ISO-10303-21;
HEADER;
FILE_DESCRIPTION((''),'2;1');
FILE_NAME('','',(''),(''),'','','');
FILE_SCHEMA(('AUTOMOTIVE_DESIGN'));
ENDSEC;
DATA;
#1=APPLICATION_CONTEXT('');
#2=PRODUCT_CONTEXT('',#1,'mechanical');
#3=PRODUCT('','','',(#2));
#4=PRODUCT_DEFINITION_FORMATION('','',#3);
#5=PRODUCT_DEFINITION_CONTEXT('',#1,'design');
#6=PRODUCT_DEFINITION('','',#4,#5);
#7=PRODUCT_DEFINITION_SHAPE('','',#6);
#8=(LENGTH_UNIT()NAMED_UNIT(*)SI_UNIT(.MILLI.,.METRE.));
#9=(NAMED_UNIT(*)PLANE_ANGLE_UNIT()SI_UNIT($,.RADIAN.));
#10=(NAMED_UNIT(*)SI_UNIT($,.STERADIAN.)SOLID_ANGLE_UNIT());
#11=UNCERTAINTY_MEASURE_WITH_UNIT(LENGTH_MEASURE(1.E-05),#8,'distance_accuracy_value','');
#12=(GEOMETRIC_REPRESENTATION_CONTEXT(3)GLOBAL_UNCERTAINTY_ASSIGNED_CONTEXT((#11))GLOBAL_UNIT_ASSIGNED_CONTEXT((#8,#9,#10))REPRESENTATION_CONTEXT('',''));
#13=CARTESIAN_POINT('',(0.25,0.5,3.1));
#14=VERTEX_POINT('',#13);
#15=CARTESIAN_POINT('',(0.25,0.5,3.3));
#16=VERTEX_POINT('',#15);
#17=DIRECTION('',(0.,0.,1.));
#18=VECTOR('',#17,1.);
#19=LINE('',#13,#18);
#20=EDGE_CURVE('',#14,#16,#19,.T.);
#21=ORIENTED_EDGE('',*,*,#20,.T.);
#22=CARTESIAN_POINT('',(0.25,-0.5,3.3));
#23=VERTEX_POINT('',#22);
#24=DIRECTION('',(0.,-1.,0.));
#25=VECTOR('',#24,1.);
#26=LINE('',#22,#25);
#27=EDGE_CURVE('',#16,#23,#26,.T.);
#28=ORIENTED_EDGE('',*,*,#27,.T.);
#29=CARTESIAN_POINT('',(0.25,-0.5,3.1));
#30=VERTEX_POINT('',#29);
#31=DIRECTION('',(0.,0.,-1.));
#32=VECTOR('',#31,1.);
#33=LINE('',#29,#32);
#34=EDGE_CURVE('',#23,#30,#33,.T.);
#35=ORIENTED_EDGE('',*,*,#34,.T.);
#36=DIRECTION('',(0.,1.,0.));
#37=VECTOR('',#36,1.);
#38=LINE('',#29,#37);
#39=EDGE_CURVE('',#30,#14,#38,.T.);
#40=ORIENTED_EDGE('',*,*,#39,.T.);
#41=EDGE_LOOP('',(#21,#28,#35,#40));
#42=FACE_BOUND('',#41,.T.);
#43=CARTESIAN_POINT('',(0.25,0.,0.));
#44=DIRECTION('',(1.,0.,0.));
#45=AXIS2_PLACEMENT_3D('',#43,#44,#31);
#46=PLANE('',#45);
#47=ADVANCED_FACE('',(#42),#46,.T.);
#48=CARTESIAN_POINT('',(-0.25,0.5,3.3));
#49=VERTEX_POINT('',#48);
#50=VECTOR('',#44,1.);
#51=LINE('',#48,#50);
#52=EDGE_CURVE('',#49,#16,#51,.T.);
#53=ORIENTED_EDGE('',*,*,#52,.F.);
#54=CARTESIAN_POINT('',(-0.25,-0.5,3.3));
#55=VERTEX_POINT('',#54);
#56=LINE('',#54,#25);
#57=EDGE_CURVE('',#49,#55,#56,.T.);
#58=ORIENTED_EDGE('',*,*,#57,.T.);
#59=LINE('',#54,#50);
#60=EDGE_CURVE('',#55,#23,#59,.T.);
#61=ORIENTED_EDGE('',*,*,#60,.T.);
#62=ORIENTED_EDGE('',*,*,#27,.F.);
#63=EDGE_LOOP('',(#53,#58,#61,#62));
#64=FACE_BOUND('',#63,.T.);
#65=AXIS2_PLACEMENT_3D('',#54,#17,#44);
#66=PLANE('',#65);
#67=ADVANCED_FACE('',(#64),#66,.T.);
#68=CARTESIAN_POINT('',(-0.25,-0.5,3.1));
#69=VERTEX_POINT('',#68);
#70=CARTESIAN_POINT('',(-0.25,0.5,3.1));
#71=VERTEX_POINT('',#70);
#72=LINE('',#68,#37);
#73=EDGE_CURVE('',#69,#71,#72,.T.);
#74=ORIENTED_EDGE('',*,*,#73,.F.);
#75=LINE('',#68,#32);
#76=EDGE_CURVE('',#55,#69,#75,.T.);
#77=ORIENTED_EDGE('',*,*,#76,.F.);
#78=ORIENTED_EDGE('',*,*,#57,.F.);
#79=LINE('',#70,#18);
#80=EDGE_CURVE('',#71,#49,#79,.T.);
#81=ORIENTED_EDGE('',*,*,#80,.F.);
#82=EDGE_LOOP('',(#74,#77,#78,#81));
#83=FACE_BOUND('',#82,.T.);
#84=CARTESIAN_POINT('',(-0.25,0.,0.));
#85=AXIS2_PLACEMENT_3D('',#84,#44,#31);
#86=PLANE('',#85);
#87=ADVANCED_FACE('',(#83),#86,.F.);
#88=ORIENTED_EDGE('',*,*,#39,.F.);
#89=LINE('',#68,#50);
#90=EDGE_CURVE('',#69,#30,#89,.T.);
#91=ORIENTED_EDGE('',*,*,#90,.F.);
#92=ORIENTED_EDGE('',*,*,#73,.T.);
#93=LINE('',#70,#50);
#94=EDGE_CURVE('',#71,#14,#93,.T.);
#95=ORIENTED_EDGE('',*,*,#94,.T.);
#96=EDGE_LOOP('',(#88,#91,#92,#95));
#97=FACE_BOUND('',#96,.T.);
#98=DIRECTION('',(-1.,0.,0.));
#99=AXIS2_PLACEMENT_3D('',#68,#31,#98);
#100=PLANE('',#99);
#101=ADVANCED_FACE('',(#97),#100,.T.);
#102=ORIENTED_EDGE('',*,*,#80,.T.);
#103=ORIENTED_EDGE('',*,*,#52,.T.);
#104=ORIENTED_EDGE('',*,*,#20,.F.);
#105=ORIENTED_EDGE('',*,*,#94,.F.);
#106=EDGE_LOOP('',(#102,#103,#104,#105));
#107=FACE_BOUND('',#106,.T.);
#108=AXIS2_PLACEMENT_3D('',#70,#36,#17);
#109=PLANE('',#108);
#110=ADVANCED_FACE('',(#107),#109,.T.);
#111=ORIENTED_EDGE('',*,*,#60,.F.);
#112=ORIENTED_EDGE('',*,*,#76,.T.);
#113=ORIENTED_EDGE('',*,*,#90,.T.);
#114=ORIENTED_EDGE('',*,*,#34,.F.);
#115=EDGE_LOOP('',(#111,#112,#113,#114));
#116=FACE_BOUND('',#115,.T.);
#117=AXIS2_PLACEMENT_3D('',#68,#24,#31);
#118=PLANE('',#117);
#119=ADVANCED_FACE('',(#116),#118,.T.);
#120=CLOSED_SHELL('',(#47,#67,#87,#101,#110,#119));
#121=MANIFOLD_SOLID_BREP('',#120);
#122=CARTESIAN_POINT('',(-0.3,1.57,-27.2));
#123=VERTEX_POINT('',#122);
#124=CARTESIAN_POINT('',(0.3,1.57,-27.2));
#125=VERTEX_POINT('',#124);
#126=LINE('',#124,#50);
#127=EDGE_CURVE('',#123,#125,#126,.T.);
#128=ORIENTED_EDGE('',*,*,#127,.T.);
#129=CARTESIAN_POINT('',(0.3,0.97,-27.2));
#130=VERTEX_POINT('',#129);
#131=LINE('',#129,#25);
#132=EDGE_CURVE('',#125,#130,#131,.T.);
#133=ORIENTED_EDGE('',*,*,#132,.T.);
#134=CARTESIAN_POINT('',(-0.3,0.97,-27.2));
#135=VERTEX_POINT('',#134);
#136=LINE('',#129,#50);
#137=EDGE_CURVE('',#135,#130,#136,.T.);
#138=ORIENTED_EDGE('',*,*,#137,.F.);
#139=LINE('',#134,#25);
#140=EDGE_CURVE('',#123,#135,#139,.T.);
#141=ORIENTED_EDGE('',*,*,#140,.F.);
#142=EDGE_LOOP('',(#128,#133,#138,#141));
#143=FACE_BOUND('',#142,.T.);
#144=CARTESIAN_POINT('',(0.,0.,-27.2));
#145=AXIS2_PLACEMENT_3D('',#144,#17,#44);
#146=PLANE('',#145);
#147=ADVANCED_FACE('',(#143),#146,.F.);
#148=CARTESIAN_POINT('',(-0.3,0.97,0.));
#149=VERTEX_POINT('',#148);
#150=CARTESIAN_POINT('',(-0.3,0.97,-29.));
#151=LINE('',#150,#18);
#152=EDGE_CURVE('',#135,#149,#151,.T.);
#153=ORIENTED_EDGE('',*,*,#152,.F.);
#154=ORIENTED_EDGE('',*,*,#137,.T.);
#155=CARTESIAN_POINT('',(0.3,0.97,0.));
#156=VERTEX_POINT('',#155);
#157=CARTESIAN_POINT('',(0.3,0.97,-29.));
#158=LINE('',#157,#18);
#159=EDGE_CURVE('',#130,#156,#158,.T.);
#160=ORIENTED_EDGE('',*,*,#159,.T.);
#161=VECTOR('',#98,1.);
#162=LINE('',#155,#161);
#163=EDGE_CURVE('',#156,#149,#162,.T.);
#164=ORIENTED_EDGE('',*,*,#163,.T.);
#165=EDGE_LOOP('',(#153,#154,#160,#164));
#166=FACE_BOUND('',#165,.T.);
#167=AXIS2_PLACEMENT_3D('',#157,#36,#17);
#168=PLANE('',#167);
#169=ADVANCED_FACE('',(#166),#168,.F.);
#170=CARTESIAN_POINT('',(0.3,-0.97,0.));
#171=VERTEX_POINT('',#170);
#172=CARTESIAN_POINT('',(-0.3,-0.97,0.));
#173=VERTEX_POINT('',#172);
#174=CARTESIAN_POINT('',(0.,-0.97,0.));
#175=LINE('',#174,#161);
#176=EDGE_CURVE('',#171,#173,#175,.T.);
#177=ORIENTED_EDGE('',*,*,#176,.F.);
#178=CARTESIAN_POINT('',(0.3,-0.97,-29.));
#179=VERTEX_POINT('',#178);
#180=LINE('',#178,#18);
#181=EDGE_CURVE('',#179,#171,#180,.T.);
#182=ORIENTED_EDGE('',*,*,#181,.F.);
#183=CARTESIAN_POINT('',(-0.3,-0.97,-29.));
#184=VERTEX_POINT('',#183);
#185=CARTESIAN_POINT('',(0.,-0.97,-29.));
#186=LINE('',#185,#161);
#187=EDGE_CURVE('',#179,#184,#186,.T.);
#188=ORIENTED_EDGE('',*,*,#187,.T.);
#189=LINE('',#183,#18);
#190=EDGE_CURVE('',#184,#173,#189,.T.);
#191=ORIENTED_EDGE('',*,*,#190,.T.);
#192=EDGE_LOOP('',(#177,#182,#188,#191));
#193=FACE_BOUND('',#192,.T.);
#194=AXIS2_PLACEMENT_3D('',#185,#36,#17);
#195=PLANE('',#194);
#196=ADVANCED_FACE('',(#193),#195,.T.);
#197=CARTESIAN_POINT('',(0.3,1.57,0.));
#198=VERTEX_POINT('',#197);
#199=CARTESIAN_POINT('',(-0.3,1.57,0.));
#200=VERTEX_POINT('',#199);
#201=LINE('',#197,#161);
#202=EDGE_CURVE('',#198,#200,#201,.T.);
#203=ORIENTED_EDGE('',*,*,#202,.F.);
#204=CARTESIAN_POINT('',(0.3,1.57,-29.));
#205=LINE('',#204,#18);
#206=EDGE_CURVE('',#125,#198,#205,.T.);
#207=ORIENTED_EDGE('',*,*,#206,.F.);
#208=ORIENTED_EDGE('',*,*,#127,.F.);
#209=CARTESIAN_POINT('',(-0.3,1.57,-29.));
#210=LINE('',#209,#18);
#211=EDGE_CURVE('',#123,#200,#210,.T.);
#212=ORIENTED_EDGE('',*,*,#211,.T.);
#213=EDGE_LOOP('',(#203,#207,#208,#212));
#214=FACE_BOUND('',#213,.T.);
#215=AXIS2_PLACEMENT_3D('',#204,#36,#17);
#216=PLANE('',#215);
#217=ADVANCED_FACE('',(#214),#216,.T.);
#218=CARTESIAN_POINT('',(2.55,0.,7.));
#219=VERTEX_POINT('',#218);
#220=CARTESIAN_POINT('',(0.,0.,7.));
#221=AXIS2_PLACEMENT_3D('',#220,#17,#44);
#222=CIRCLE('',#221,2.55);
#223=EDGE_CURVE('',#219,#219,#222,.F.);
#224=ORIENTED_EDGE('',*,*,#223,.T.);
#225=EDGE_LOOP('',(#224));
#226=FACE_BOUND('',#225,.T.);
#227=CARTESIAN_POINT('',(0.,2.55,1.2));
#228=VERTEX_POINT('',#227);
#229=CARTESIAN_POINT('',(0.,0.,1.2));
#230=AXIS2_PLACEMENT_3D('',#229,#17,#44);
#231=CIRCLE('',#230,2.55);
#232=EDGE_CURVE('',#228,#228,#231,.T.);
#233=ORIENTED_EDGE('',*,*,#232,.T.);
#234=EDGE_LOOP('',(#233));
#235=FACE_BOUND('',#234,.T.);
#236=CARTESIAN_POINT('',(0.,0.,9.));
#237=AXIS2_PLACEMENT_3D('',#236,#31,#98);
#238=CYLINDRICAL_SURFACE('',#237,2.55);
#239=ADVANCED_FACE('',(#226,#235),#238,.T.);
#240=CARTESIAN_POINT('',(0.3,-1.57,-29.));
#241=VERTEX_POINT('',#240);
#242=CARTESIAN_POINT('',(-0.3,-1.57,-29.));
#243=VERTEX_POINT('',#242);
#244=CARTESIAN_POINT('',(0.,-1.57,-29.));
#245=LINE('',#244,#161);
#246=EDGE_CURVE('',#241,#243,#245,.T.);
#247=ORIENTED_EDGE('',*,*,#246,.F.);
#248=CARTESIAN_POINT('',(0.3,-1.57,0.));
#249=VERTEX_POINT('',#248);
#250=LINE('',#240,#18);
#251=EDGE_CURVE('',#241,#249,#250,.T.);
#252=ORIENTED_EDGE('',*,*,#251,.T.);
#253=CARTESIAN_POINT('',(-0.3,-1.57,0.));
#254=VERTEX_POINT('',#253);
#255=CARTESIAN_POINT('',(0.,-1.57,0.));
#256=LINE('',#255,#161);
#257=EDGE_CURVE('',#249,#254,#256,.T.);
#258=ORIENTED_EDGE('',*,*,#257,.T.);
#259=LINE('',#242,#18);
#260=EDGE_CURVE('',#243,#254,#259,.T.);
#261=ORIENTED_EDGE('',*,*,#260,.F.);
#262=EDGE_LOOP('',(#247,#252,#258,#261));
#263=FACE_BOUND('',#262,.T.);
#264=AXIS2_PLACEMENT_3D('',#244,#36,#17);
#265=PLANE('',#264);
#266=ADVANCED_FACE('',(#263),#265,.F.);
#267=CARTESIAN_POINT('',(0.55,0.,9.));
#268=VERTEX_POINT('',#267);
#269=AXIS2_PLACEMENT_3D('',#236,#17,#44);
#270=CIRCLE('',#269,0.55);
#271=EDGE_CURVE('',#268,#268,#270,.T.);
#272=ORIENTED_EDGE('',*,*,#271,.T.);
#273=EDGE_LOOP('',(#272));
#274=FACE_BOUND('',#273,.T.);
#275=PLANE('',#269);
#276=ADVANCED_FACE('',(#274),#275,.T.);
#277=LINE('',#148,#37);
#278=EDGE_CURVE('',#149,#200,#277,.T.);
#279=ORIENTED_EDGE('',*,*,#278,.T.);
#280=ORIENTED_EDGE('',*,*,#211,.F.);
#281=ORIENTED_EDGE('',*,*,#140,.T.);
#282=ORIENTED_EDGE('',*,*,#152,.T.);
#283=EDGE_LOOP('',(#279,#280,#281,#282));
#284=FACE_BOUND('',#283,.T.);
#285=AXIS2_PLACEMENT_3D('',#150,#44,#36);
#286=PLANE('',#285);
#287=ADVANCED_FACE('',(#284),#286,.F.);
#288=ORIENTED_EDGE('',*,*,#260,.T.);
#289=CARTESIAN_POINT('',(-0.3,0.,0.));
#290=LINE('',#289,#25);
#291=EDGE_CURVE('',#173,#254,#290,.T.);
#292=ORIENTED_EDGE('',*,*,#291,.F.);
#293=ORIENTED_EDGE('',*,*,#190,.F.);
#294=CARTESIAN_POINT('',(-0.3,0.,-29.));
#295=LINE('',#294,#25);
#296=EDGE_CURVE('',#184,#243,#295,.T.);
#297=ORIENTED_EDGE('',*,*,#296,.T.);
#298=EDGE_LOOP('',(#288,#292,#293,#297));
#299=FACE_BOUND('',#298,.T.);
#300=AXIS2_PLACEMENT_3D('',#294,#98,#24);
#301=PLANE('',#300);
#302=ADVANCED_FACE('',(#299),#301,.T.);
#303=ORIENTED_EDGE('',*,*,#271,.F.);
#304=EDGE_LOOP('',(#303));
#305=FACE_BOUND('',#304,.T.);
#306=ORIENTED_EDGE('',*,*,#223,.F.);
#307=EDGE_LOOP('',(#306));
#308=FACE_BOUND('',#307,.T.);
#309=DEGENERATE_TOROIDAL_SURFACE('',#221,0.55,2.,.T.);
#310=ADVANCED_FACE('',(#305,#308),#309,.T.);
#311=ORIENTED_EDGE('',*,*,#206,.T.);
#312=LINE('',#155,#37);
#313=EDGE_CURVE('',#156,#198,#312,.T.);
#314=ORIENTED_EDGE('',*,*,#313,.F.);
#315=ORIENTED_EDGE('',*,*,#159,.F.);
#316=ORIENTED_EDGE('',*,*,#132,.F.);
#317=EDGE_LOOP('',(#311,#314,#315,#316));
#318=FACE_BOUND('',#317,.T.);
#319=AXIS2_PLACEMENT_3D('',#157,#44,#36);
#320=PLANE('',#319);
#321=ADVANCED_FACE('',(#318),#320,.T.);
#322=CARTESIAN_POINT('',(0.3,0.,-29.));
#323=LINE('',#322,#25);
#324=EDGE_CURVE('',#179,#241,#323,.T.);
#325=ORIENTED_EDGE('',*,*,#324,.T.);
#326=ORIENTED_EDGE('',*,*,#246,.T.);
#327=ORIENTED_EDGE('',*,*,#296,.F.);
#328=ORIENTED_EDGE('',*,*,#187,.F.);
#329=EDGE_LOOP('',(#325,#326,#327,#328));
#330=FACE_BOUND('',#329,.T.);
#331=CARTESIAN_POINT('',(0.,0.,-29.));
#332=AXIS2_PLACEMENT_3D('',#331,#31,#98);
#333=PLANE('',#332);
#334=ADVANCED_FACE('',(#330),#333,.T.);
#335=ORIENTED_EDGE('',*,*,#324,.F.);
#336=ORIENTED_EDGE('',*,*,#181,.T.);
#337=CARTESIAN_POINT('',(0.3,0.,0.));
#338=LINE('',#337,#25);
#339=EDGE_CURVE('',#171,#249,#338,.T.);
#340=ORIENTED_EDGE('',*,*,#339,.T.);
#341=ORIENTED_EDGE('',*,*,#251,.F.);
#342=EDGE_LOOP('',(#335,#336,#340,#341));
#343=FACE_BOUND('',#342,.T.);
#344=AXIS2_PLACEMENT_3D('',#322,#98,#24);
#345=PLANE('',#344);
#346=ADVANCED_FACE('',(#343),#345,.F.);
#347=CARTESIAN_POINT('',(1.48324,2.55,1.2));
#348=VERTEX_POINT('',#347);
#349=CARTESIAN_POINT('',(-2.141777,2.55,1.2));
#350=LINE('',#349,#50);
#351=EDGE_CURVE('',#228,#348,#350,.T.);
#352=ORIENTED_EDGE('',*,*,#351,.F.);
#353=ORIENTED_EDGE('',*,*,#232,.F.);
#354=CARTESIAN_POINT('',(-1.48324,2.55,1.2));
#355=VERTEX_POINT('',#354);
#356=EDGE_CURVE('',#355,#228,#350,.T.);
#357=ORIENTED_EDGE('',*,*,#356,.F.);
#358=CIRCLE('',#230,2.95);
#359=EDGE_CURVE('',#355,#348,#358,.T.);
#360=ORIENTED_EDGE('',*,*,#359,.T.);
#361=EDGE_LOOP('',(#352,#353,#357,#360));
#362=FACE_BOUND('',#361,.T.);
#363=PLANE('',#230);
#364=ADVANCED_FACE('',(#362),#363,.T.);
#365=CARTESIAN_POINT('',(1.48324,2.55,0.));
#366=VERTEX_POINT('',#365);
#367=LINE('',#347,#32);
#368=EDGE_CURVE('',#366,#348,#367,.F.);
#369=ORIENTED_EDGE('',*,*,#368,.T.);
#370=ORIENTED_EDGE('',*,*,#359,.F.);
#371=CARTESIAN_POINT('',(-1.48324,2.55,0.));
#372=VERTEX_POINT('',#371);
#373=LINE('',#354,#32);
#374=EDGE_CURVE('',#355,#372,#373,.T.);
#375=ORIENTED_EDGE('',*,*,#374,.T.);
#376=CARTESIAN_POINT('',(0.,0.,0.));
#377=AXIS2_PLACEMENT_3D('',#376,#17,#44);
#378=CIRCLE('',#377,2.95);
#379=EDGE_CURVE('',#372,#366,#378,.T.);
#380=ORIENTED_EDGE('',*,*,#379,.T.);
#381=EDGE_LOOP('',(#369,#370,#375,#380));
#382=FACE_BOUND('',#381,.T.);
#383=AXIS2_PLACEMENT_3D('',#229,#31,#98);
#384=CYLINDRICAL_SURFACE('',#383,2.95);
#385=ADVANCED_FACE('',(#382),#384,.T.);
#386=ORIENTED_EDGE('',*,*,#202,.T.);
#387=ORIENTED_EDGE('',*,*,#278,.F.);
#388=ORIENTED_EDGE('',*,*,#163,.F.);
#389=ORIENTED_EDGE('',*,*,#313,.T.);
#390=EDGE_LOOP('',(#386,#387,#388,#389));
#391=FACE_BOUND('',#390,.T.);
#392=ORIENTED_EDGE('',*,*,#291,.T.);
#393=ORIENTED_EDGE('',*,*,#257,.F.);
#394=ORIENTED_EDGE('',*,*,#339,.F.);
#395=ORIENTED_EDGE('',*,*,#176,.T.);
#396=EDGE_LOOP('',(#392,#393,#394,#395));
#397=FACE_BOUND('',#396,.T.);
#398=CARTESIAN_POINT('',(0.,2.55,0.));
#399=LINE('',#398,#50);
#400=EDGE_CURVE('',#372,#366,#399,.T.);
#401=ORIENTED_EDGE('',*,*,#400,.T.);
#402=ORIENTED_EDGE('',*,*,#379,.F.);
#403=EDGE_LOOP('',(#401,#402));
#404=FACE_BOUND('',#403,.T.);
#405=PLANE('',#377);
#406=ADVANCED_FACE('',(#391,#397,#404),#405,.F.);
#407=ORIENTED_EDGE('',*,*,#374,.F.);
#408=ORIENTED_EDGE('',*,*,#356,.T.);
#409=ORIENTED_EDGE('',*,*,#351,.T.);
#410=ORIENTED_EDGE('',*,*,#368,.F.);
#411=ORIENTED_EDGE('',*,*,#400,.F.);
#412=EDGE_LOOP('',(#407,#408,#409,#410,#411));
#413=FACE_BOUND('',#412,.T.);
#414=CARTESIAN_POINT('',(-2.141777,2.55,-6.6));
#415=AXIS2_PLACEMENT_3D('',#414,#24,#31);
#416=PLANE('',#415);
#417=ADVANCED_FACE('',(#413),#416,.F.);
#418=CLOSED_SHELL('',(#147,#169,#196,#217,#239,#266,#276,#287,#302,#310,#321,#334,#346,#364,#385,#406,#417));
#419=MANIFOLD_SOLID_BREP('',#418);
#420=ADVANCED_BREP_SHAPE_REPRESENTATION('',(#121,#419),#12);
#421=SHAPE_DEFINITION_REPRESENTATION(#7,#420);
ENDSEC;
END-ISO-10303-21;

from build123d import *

# Parameters (mm, degrees)
SZKIC2_R                         = 2.95
DODANIE_WYCI_GNI_CIE1_DEPTH      = 1.2
SZKIC3_R                         = 2.55
DODANIE_WYCI_GNI_CIE2_DEPTH      = 7.8
ZAOKR_GLENIE2_R                  = 2
SZKIC4_W                         = 4.283554882
SZKIC4_H                         = 0.750281293
WYTNIJ_WYCI_GNI_CIE1_DEPTH       = 7.8
DODANIE_WYCI_GNI_CIE5_DEPTH      = 0.25
DODANIE_WYCI_GNI_CIE5_DEPTH_BACK = 0.25
SZKIC6_W                         = 0.2
SZKIC6_H                         = 1
SZKIC7_W                         = 0.6
SZKIC7_H                         = 0.6
DODANIE_WYCI_GNI_CIE6_DEPTH      = 29
SZKIC8_W                         = 0.861364308
SZKIC8_H                         = 0.90651153
WYTNIJ_WYCI_GNI_CIE2_DEPTH       = 1.8


with BuildPart() as part:
    # Szkic2 → Dodanie-wyciągnięcie1 (new body)
    with BuildSketch(Plane.XY):
        Circle(SZKIC2_R)
    extrude(amount=DODANIE_WYCI_GNI_CIE1_DEPTH)

    # Szkic3 → Dodanie-wyciągnięcie2 (add)
    with BuildSketch(Plane.XY.offset(1.2)):
        Circle(SZKIC3_R)
    extrude(amount=DODANIE_WYCI_GNI_CIE2_DEPTH)

    # Zaokrąglenie2
    zaokr_glenie2_edges = [part.edges().sort_by_distance(p)[0] for p in [
        (-2.55, 0, 9),
    ]]
    fillet(zaokr_glenie2_edges, radius=ZAOKR_GLENIE2_R)

    # Szkic4 → Wytnij-wyciągnięcie1 (cut)
    with BuildSketch(Plane.XY.offset(1.2)):
        with Locations((0, 2.925140647)):
            Rectangle(SZKIC4_W, SZKIC4_H)
    extrude(amount=-WYTNIJ_WYCI_GNI_CIE1_DEPTH, mode=Mode.SUBTRACT)

    # Szkic7 → Dodanie-wyciągnięcie6 (add)
    with BuildSketch(Plane(origin=(0, 0, 0), x_dir=(-1, 0, 0), z_dir=(0, 0, -1))):
        with Locations((0, -1.27)):
            Rectangle(SZKIC7_W, SZKIC7_H)
        with Locations((0, 1.27)):
            Rectangle(SZKIC7_W, SZKIC7_H)
    extrude(amount=DODANIE_WYCI_GNI_CIE6_DEPTH)

    # Szkic8 → Wytnij-wyciągnięcie2 (cut)
    with BuildSketch(Plane(origin=(0, 0, -29), x_dir=(-1, 0, 0), z_dir=(0, 0, -1))):
        with Locations((0, 1.341985324)):
            Rectangle(SZKIC8_W, SZKIC8_H)
    extrude(amount=-WYTNIJ_WYCI_GNI_CIE2_DEPTH, mode=Mode.SUBTRACT)


with BuildPart() as body_2:
    # Szkic6 → Dodanie-wyciągnięcie5 (new, two sides: drawn at the far end of the back side and taken through both)
    with BuildSketch(Plane(origin=(0, 0, 0), x_dir=(0, 0, -1), z_dir=(1, 0, 0)).offset(-DODANIE_WYCI_GNI_CIE5_DEPTH_BACK)):
        with Locations((-3.2, 0)):
            Rectangle(SZKIC6_W, SZKIC6_H)
    extrude(amount=DODANIE_WYCI_GNI_CIE5_DEPTH + DODANIE_WYCI_GNI_CIE5_DEPTH_BACK)


solid = Compound([part.part, body_2.part])
